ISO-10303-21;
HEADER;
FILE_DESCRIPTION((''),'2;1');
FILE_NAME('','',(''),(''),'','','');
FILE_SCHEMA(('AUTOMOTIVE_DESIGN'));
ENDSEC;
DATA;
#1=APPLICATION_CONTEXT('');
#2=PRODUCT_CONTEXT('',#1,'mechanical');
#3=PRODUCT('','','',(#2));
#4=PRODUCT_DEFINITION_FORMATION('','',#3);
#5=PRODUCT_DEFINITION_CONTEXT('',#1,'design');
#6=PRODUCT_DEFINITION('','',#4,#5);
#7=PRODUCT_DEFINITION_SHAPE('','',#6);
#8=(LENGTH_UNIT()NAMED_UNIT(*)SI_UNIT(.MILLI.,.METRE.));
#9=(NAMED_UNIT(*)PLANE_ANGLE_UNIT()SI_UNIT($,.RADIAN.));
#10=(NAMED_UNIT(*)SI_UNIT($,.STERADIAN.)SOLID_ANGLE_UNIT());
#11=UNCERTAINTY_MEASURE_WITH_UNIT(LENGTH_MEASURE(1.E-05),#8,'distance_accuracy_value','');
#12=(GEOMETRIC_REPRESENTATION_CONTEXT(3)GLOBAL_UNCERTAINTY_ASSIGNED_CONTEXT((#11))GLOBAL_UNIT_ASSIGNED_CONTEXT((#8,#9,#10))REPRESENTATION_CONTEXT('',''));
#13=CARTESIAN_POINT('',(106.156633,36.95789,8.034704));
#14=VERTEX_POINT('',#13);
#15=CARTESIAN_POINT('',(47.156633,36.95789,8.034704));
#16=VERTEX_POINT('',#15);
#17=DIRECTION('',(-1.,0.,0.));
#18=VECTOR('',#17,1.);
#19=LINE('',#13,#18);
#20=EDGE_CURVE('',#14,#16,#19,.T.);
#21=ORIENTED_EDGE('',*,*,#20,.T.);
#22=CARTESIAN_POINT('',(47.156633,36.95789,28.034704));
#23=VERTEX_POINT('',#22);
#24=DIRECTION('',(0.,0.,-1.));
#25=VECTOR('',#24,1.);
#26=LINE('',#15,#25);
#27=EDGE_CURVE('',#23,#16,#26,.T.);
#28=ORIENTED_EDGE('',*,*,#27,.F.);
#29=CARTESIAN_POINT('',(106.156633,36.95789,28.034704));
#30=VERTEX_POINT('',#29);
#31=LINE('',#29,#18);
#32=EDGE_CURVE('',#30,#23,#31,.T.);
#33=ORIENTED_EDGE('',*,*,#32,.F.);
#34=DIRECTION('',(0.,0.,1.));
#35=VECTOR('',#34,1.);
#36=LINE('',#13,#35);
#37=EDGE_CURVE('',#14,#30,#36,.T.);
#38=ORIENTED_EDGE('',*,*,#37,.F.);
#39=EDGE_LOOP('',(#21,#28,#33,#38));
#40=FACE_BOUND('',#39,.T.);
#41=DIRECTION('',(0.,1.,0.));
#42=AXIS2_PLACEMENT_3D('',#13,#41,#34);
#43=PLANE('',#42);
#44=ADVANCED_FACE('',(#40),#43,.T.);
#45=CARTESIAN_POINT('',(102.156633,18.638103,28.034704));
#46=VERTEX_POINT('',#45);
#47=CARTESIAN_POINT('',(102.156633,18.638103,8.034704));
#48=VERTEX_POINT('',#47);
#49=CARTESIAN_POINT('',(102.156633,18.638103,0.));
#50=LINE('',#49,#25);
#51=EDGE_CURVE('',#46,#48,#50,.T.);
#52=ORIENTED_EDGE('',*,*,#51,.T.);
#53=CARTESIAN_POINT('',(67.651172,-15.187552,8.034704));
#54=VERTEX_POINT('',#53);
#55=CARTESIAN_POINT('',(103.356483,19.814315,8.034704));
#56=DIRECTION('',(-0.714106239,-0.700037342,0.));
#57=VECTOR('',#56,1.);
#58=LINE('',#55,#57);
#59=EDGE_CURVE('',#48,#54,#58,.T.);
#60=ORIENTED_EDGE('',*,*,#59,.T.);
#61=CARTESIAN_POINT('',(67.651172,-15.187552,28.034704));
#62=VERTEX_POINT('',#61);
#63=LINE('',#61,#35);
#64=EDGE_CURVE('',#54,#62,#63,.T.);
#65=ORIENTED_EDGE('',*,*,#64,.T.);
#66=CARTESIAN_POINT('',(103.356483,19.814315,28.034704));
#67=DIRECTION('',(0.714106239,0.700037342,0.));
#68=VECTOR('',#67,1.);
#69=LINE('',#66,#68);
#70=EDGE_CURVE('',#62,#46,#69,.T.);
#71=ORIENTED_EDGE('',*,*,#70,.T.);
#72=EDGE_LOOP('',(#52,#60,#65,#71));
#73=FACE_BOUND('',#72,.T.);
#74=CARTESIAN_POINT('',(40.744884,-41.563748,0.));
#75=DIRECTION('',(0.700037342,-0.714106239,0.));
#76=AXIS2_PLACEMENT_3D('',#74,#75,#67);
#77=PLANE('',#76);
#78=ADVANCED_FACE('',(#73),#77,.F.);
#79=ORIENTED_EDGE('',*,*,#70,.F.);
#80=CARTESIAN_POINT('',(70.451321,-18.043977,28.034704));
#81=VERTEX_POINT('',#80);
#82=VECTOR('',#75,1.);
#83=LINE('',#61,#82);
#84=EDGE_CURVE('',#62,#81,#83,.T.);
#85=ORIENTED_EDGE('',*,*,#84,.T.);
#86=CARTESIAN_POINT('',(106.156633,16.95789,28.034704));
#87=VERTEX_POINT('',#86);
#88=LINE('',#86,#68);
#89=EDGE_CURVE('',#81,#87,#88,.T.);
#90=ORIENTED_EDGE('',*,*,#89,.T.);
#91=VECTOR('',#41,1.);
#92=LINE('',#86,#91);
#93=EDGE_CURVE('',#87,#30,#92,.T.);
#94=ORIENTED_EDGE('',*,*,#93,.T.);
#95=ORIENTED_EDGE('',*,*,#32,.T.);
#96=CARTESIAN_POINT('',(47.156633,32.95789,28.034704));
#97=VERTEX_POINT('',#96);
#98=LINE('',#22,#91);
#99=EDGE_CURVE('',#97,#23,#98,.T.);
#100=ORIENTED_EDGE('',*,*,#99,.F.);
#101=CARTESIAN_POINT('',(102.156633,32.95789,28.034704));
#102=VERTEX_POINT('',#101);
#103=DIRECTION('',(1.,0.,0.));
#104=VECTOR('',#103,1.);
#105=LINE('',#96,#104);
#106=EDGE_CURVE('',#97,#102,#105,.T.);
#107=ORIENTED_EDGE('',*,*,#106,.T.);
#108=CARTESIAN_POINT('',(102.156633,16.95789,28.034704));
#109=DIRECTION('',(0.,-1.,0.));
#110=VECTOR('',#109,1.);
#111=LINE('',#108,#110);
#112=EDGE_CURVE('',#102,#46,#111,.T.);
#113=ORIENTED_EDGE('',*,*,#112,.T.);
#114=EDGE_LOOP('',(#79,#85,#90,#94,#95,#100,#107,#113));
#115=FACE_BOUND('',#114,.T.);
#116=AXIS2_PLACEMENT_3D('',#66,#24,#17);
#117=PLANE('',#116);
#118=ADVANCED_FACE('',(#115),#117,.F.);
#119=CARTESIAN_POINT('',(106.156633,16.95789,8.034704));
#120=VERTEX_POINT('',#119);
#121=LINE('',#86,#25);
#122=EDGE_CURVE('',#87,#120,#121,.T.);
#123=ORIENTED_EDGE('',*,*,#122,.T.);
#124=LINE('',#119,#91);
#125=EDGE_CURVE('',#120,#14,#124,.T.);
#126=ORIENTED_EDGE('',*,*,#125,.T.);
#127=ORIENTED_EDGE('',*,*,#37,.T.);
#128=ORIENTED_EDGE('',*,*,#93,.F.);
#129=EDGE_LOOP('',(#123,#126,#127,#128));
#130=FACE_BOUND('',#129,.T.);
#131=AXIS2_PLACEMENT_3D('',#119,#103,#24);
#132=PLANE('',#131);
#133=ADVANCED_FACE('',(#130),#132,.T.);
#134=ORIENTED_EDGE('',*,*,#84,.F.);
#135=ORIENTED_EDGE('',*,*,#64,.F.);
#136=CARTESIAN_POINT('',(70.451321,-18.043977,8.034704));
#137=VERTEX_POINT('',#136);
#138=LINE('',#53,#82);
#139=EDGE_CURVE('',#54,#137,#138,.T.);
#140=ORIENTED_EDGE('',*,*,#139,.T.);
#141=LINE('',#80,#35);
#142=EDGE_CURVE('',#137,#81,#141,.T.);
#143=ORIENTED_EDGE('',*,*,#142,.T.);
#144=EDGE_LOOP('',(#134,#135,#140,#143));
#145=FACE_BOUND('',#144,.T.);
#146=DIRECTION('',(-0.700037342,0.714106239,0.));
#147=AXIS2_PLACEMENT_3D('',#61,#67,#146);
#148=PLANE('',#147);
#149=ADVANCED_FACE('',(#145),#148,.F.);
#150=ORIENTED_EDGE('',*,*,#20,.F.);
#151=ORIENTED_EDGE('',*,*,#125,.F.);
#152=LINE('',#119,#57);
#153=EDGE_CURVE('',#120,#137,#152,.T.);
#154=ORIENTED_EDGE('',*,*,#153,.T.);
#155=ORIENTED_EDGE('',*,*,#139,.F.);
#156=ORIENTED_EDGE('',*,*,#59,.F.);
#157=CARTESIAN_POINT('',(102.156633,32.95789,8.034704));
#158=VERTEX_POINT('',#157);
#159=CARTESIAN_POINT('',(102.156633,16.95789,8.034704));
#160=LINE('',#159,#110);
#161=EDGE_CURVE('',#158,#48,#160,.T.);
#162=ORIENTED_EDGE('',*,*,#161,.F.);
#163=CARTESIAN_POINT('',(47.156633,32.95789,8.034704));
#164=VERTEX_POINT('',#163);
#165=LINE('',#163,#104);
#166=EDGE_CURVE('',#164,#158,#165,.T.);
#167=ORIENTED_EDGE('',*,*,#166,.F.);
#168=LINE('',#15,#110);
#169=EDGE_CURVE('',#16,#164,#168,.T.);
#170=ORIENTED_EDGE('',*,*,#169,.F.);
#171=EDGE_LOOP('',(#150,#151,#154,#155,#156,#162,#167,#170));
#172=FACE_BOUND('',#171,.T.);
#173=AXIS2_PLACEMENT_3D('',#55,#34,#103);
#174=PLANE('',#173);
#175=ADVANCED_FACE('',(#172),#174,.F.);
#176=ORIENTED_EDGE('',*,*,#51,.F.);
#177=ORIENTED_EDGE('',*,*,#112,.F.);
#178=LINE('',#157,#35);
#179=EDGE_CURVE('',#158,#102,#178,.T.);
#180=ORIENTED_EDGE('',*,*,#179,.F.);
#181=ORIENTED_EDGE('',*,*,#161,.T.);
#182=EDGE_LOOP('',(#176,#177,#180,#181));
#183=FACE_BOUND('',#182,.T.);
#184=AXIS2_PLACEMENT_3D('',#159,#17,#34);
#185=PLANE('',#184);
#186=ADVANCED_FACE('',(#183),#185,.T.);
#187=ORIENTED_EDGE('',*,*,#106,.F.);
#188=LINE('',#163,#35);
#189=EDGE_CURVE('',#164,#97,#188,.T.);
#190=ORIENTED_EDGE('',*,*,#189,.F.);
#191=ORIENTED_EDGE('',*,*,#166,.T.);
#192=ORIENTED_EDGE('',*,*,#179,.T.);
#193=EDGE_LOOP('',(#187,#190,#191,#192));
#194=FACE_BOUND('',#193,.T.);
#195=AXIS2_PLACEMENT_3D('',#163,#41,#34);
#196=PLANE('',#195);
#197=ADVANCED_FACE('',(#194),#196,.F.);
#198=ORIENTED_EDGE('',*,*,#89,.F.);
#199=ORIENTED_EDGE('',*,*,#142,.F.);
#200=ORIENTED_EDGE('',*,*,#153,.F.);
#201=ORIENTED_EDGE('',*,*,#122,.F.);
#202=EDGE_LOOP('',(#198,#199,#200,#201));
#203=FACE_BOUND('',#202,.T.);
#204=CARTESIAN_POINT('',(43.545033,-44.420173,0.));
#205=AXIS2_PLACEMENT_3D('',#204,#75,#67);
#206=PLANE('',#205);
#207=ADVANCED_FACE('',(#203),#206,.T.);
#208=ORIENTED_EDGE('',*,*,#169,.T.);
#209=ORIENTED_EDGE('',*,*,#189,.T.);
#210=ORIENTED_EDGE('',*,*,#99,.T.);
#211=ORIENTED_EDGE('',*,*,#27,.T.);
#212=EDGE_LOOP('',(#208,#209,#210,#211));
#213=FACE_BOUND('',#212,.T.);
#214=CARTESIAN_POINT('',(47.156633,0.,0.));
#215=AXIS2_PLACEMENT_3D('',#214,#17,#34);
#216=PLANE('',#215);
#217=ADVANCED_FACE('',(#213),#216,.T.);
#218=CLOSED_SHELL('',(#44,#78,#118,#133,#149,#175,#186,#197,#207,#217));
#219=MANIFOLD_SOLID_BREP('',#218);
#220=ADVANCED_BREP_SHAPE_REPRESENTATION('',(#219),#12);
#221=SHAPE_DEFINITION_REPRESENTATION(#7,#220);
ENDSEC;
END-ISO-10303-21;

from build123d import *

# Parameters (mm, degrees)
SKETCH2_W           = 20
SKETCH2_H           = 50
BOSS_EXTRUDE1_DEPTH = 4
SKETCH3_W           = 4
SKETCH3_H           = 20
BOSS_EXTRUDE2_DEPTH = 20
SKETCH4_W           = 20
SKETCH4_H           = 4
BOSS_EXTRUDE3_DEPTH = 55


with BuildPart() as part:
    # Sketch2 → Boss-Extrude1 (new body)
    with BuildSketch(Plane(origin=(43.545033316, -44.420173201, 0), x_dir=(0, 0, 1), z_dir=(-0.7000373416081909, 0.7141062388427489, 0))):
        with Locations((18.034703764, 62.678269869)):
            Rectangle(SKETCH2_W, SKETCH2_H)
    extrude(amount=BOSS_EXTRUDE1_DEPTH)

    # Sketch3 → Boss-Extrude2 (add)
    with BuildSketch(Plane.XY.offset(28.034703764)):
        with Locations((104.156632841, 26.957889755)):
            Rectangle(SKETCH3_W, SKETCH3_H)
    extrude(amount=-BOSS_EXTRUDE2_DEPTH)

    # Sketch4 → Boss-Extrude3 (add)
    with BuildSketch(Plane.ZY.offset(-102.156632841)):
        with Locations((18.034703764, 34.957889755)):
            Rectangle(SKETCH4_W, SKETCH4_H)
    extrude(amount=BOSS_EXTRUDE3_DEPTH)


solid = part.part
